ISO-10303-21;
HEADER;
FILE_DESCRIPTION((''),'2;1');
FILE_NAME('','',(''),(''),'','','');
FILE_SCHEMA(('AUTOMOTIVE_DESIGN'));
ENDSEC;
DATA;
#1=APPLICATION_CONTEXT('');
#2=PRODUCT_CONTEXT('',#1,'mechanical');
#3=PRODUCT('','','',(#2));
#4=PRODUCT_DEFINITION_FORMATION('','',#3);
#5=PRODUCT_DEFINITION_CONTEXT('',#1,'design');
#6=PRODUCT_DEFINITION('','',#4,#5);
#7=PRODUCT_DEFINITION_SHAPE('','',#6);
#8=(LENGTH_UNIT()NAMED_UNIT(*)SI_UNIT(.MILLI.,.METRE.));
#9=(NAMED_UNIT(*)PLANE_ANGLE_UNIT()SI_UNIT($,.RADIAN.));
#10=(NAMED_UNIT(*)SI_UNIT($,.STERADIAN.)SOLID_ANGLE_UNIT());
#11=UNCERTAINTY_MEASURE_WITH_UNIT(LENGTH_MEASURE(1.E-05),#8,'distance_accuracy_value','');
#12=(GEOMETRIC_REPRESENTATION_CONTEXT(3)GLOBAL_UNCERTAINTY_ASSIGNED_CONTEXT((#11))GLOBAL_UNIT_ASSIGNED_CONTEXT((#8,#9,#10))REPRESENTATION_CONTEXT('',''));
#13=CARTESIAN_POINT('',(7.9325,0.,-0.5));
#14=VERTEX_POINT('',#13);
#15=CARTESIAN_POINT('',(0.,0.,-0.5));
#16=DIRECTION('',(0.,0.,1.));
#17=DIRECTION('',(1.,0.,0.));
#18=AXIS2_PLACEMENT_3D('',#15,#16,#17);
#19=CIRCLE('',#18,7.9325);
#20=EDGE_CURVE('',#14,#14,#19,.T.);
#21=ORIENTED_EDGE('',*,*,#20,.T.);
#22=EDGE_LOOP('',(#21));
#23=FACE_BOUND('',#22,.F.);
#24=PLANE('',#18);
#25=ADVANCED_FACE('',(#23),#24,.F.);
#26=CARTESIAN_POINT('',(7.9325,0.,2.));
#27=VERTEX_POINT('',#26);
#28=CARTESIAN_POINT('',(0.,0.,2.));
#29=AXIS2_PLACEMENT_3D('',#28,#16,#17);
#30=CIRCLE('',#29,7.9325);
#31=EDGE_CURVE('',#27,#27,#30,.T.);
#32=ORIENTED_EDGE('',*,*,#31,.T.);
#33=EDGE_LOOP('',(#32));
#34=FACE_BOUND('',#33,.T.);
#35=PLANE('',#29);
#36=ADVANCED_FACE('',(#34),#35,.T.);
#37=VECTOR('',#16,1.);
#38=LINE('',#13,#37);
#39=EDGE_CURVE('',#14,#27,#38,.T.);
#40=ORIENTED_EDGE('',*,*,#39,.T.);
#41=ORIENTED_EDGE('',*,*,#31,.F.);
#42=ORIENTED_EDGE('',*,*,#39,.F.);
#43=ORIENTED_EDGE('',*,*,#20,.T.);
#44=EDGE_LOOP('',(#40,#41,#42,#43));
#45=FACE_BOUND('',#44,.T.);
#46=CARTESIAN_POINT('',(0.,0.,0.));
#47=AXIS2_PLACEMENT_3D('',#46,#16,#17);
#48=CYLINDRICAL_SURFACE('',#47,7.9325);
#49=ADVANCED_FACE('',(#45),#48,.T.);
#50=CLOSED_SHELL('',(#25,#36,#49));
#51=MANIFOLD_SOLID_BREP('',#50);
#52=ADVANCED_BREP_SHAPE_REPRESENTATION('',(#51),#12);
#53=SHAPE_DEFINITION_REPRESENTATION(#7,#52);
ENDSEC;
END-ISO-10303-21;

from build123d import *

# Parameters (mm, degrees)
F0_R     = 7.9325
F1_DEPTH = 2
F2_DEPTH = 0.5


with BuildPart() as f1:
    # F0 (on Top) → F1 (new body)
    with BuildSketch(Plane.XY):
        Circle(F0_R)
    extrude(amount=F1_DEPTH)

    # F0 (on Top) → F2 (join)
    with BuildSketch(Plane.XY):
        Circle(F0_R)
    extrude(amount=-F2_DEPTH)


solid = f1.part
